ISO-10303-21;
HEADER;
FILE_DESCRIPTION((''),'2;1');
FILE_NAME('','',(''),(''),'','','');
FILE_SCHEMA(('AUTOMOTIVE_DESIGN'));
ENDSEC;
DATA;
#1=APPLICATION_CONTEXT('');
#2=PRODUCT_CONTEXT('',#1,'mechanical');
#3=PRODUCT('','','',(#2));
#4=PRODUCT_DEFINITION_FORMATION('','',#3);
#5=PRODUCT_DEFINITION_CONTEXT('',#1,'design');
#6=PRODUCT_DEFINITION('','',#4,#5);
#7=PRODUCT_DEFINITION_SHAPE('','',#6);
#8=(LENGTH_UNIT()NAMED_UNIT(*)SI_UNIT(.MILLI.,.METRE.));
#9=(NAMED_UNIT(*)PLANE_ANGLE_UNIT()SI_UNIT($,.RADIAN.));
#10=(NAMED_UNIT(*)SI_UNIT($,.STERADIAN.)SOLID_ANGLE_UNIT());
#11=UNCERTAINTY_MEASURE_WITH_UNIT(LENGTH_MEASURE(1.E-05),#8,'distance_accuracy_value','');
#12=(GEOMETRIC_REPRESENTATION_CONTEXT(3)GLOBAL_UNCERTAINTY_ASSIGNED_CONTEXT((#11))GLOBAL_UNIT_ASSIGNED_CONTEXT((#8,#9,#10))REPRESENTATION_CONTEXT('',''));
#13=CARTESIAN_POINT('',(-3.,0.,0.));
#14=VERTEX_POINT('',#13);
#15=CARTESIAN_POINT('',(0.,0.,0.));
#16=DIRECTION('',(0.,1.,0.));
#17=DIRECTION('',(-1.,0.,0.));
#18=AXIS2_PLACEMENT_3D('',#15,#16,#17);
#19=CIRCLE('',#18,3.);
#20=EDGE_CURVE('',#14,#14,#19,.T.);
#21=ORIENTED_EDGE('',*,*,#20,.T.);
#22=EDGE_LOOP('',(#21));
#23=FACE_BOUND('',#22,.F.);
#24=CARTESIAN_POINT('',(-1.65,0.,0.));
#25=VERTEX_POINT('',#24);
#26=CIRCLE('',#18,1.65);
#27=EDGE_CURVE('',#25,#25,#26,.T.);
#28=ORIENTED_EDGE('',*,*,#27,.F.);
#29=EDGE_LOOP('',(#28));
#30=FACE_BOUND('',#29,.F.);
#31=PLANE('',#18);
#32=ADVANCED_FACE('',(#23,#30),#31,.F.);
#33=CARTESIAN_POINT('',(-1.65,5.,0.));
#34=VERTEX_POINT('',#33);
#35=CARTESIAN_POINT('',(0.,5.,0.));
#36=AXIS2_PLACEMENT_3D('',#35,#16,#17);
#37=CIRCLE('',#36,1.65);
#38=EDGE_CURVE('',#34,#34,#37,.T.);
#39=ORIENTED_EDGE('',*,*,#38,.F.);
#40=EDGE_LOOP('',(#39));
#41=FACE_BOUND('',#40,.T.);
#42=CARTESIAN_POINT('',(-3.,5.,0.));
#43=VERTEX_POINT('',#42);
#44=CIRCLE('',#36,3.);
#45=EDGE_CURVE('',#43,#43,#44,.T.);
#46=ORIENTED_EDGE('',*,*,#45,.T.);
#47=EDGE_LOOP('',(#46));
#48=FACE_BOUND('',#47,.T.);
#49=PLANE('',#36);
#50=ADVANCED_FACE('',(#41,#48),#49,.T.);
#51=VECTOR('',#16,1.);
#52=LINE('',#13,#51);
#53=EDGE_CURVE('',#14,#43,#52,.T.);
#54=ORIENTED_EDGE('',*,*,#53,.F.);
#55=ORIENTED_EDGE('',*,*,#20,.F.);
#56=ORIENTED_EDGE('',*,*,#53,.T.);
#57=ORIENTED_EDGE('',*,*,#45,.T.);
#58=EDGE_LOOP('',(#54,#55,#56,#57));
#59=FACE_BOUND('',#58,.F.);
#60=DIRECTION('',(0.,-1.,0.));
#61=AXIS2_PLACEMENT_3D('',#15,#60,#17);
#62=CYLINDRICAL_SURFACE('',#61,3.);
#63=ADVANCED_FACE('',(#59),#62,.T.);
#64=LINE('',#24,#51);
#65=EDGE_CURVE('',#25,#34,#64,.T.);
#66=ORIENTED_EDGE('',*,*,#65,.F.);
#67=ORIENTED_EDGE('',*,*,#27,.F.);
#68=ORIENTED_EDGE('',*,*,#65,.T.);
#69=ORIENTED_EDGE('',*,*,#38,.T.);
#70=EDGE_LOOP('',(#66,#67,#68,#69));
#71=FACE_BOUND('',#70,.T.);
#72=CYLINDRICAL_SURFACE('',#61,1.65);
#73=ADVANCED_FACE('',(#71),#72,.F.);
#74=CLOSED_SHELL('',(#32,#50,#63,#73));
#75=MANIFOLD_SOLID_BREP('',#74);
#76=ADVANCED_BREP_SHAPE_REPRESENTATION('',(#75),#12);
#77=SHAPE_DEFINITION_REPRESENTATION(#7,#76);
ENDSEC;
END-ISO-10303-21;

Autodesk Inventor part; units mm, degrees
ref_plane "YZ Plane" through (0, 0, 0) normal (1, 0, 0) x (0, 1, 0)
ref_plane "XZ Plane" through (0, 0, 0) normal (0, 1, 0) x (-1, 0, 0)
ref_plane "XY Plane" through (0, 0, 0) normal (0, 0, 1) x (1, 0, 0)
sketch "Sketch1" plane through (0, 0, 0) normal (0, 1, 0) x (-1, 0, 0)
  circle A0 centre (0, 0) radius 3
  circle A1 centre (0, 0) radius 1.65
  dimension "d0" = 6
  dimension "d1" = 3.3
extrude "Extrusion1" add sketch "Sketch1" along normal blind 5
properties part number "pitch6mmBearingAdapter" material "ABS Plastic"
